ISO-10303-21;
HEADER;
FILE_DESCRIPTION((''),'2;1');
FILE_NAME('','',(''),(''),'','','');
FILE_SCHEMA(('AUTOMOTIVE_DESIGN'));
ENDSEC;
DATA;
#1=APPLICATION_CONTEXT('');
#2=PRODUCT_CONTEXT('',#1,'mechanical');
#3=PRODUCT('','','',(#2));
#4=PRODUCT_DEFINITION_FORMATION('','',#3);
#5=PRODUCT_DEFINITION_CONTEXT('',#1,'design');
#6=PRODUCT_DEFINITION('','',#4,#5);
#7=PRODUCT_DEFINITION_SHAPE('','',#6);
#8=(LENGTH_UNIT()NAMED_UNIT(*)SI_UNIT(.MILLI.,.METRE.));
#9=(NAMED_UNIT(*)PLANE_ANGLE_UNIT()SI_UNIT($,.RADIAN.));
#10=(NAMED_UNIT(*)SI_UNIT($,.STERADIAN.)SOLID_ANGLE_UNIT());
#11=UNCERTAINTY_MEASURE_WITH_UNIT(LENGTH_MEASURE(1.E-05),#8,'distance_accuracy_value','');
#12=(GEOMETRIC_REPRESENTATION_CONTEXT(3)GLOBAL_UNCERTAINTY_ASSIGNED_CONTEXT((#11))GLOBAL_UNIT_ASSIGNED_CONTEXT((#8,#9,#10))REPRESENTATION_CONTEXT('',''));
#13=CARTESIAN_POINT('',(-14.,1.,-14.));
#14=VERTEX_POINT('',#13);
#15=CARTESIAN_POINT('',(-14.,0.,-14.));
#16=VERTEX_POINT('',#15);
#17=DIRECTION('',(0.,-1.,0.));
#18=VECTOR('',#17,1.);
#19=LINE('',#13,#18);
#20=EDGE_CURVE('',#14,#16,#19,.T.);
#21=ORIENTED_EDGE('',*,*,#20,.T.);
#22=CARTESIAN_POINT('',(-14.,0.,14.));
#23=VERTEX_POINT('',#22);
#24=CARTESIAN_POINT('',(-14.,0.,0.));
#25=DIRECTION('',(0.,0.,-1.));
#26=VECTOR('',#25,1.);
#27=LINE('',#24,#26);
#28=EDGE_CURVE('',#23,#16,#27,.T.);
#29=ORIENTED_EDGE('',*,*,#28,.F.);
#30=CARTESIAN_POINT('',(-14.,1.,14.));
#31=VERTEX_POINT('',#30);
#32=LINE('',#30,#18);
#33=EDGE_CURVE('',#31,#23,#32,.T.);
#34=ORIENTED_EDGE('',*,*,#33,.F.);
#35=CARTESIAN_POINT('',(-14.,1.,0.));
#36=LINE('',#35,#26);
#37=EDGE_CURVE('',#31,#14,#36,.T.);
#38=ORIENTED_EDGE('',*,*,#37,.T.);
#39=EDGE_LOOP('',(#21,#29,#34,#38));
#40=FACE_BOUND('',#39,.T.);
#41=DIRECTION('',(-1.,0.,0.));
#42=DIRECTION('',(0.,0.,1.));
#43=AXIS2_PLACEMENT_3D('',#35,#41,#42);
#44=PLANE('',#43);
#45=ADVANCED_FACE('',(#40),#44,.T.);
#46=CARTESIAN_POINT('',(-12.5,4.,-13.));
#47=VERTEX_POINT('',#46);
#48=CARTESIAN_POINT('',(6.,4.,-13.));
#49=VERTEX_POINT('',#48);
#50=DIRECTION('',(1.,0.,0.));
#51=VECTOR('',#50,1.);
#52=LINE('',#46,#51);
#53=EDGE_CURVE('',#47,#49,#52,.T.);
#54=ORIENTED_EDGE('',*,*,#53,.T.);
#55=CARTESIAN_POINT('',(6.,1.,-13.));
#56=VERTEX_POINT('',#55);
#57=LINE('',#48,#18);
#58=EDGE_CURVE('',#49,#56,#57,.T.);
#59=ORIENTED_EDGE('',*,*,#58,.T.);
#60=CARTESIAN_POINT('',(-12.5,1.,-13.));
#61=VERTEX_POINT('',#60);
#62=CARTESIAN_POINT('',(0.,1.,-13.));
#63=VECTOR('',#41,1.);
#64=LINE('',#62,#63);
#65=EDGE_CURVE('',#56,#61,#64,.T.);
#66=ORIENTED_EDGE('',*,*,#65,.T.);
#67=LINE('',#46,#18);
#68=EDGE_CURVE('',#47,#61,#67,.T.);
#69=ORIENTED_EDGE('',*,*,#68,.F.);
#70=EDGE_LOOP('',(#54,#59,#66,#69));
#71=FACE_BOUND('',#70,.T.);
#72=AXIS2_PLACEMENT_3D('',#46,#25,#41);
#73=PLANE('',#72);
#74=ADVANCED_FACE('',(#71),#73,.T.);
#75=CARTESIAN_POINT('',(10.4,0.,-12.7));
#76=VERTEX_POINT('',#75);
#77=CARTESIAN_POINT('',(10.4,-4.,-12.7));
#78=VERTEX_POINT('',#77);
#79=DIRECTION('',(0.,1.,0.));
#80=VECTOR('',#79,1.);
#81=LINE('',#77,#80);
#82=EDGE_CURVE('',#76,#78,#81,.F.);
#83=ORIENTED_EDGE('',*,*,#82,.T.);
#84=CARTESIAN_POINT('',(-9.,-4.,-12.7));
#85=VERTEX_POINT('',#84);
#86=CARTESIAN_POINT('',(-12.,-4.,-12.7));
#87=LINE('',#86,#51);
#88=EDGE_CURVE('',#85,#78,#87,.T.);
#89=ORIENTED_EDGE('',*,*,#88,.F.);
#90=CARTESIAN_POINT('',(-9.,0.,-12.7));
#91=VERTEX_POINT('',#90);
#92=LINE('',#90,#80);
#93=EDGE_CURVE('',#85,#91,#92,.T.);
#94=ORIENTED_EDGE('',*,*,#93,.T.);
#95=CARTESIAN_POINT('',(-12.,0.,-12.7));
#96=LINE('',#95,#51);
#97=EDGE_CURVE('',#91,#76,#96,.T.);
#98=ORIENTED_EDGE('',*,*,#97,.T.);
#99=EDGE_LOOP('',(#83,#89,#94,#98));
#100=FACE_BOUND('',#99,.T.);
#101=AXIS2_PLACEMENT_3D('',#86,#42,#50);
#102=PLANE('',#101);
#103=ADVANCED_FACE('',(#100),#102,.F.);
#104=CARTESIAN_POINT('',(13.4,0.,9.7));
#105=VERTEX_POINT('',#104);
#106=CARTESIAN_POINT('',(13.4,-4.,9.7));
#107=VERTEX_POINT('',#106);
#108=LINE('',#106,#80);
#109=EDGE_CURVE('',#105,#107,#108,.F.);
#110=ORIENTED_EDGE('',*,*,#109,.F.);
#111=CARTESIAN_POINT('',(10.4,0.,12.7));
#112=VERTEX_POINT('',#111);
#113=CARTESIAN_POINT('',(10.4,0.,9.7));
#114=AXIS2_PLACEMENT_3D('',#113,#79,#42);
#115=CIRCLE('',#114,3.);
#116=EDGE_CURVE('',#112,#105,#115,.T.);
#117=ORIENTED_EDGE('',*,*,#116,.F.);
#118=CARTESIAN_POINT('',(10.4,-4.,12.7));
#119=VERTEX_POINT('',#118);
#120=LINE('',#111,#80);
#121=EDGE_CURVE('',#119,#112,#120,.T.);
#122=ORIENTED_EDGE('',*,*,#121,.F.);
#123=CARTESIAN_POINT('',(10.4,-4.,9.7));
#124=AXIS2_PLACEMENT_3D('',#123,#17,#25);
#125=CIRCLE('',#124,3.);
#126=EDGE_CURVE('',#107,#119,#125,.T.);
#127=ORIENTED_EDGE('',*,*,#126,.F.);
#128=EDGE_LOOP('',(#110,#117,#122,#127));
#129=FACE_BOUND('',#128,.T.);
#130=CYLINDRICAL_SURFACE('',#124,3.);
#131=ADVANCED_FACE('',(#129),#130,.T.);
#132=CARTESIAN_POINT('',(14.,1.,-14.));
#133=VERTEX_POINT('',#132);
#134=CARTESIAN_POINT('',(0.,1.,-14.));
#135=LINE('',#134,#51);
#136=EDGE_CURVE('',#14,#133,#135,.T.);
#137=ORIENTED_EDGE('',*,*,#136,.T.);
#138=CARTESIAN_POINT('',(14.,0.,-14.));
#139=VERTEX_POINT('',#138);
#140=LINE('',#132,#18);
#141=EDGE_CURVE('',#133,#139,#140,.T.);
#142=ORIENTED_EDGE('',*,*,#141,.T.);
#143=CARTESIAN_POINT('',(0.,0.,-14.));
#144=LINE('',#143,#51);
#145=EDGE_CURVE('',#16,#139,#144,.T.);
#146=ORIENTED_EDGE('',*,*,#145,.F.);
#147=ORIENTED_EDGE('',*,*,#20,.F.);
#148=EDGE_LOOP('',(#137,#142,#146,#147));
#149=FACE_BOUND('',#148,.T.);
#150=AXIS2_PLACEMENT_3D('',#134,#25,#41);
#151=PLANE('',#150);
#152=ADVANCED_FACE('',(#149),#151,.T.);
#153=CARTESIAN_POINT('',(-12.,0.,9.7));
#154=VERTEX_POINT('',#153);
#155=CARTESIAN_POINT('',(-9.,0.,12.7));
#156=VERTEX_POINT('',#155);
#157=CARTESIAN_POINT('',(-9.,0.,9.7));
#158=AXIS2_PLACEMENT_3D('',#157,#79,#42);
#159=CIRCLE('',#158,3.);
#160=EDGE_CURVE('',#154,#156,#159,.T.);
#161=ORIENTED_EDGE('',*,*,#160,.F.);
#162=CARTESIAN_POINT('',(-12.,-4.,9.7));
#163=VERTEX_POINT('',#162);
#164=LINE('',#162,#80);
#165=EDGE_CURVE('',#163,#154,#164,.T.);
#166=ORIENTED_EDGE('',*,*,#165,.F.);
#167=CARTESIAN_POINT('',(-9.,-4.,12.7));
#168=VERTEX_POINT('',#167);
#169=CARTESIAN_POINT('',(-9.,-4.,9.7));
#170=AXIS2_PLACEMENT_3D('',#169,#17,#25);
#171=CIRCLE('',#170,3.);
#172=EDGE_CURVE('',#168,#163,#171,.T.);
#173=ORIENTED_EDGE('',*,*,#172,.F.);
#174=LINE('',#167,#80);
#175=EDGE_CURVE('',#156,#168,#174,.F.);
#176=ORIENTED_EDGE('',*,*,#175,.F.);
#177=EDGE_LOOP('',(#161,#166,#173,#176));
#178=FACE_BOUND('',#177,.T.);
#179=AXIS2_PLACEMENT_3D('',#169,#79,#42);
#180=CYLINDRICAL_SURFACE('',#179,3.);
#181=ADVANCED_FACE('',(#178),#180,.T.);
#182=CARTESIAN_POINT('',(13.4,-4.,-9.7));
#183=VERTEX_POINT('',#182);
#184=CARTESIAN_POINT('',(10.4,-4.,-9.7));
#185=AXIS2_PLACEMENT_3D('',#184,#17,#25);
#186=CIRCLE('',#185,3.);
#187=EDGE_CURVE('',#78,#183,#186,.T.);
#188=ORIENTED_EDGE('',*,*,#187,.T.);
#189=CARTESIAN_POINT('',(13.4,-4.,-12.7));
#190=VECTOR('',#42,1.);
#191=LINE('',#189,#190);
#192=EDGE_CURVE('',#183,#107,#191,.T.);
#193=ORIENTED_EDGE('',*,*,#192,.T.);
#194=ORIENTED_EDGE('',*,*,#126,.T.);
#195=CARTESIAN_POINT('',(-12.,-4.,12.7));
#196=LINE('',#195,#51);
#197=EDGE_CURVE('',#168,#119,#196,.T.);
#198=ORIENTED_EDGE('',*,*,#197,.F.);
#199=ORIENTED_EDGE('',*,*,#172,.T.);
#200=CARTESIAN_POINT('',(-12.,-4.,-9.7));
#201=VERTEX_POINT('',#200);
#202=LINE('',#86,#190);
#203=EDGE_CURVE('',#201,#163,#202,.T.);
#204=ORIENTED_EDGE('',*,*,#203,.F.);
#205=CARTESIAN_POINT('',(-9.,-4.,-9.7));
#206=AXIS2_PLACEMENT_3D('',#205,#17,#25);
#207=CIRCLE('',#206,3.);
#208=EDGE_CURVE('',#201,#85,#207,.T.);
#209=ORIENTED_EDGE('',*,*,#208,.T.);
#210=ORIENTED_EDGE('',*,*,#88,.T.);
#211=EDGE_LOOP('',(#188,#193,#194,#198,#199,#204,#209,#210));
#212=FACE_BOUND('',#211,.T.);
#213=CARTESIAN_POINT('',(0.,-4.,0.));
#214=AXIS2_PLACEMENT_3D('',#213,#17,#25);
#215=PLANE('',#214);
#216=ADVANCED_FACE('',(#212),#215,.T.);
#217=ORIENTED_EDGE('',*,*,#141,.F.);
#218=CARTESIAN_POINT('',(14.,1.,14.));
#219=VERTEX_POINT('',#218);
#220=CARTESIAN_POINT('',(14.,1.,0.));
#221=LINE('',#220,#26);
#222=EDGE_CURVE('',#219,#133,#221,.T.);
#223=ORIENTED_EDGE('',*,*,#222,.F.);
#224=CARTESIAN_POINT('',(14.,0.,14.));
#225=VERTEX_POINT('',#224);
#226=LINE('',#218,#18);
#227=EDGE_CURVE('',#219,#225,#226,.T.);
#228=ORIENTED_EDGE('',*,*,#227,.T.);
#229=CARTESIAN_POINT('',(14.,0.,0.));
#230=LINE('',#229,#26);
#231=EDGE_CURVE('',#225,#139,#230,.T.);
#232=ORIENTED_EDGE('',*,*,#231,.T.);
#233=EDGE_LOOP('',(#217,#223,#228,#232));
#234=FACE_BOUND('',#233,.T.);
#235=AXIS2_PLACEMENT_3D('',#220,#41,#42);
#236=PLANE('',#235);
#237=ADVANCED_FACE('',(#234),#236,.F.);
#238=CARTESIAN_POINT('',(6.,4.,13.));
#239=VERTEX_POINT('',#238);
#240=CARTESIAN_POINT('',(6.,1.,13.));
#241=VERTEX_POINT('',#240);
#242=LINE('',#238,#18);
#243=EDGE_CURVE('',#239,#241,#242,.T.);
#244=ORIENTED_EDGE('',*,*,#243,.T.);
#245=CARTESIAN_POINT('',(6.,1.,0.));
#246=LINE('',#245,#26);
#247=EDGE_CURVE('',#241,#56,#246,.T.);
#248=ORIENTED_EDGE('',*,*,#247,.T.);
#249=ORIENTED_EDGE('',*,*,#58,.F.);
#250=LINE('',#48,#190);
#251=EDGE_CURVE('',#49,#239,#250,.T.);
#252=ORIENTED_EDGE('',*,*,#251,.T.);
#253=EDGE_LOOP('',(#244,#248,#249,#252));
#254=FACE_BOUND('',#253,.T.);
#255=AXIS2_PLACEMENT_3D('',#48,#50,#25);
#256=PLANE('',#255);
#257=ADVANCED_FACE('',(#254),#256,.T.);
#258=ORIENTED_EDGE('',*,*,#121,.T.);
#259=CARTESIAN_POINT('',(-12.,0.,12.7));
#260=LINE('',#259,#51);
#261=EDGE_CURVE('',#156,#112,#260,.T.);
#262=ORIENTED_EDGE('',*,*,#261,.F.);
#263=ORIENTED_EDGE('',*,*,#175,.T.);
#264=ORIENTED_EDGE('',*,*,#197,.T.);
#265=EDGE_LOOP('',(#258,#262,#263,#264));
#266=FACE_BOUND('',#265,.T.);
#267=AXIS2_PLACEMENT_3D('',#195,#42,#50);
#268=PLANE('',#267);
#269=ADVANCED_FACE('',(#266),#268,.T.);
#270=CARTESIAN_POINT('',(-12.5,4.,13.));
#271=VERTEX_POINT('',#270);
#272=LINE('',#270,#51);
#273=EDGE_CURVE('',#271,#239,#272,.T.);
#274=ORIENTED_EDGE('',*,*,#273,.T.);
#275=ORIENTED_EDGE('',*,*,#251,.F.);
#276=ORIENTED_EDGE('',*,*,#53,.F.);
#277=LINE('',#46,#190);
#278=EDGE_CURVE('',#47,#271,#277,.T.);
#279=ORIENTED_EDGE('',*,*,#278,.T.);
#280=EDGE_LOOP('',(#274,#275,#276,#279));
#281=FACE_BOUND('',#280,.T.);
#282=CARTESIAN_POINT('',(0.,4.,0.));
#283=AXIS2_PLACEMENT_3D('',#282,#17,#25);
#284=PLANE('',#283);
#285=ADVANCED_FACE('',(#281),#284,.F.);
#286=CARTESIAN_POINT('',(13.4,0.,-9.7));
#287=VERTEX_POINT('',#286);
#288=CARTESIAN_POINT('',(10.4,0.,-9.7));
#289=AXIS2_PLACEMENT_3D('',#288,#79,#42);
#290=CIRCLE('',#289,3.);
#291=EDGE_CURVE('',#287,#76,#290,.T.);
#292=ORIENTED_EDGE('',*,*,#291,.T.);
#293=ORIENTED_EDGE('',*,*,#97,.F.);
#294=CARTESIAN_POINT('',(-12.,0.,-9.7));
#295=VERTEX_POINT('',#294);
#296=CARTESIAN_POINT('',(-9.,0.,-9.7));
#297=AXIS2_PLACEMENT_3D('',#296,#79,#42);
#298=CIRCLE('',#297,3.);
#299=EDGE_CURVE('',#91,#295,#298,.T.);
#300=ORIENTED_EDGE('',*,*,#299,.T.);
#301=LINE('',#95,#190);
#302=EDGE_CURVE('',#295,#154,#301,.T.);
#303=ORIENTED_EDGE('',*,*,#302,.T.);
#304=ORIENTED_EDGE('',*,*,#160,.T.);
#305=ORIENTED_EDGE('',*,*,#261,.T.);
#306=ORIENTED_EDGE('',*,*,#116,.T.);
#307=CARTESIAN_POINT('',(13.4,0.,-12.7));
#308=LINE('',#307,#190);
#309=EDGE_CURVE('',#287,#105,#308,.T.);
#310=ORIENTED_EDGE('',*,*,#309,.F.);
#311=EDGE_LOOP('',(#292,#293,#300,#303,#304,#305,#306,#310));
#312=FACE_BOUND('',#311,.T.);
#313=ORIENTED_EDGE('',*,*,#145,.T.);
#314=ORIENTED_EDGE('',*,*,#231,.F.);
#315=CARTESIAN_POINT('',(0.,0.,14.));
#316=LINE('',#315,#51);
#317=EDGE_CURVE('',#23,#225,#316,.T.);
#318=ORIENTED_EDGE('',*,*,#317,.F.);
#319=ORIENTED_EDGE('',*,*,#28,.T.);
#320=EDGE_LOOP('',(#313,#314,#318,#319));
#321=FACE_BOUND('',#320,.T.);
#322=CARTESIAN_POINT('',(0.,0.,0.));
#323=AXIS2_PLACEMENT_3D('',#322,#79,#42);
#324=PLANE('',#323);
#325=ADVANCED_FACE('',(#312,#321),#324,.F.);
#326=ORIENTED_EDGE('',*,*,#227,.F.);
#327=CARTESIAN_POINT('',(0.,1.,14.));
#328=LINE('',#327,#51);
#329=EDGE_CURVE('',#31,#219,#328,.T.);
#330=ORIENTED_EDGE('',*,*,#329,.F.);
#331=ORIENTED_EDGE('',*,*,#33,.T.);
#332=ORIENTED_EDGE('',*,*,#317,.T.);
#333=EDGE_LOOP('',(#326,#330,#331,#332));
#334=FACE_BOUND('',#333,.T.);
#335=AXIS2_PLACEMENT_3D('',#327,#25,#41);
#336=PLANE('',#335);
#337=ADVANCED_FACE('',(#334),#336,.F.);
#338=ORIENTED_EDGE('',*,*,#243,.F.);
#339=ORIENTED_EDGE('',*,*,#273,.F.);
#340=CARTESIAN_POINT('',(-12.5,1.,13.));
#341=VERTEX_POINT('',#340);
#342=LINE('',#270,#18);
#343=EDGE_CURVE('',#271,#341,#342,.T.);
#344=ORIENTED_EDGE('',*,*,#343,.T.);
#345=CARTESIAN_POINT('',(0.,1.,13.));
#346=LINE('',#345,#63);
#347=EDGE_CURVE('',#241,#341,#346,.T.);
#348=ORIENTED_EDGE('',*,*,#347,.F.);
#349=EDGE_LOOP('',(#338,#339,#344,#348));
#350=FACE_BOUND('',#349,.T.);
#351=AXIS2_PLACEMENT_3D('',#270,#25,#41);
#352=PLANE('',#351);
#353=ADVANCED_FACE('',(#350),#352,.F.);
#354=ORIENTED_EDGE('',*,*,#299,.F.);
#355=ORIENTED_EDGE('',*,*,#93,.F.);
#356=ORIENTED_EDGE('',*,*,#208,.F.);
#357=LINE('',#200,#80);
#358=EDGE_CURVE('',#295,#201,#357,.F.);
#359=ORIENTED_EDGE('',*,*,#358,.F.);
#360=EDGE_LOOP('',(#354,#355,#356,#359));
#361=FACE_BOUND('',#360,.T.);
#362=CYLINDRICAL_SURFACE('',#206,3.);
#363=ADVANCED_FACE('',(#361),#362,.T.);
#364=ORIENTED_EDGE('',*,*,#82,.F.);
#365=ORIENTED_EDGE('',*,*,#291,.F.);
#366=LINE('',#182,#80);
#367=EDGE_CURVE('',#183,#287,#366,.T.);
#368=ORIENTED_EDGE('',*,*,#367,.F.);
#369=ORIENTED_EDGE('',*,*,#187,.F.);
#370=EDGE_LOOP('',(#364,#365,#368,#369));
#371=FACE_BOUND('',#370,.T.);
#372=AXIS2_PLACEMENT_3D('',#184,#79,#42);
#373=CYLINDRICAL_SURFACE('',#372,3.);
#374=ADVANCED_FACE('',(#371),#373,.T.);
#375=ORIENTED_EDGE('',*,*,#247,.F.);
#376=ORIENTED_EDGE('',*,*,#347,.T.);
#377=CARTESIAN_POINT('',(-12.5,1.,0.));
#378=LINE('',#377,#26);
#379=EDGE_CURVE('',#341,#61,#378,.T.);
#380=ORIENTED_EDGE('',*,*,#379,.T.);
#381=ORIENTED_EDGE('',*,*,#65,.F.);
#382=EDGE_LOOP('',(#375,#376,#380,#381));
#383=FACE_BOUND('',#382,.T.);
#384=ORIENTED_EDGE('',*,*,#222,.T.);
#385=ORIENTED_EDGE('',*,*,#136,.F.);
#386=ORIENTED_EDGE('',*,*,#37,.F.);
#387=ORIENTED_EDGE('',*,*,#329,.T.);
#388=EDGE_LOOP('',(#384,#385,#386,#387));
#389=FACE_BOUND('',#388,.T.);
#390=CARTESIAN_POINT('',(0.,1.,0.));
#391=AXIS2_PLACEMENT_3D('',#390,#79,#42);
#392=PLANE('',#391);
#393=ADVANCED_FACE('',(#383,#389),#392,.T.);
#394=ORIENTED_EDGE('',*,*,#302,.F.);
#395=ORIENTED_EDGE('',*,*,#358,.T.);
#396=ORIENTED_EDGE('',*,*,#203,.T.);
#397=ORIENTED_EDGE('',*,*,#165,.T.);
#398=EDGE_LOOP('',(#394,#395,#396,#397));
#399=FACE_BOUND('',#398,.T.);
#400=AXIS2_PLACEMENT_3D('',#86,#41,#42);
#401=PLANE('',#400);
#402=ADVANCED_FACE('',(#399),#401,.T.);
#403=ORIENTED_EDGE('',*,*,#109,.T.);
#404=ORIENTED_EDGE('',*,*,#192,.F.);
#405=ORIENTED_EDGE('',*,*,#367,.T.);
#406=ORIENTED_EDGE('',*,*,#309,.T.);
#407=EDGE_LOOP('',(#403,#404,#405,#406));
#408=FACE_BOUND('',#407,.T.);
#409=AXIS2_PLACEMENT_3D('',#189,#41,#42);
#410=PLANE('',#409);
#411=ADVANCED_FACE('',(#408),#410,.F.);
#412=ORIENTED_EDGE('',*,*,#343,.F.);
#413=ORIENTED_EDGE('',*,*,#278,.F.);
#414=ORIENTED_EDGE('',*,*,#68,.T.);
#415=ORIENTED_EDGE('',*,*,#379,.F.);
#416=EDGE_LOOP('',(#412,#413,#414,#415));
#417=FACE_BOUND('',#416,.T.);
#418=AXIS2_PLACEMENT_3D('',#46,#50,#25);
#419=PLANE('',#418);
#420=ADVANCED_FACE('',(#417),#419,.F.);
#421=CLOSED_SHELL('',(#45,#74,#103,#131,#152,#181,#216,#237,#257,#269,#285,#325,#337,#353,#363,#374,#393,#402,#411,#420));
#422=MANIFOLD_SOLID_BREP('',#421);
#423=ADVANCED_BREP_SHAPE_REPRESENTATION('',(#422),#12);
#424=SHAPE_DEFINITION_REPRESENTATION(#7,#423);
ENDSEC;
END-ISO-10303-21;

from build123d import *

# Parameters (mm, degrees)
SKETCH_1_W      = 28
SKETCH_1_H      = 28
EXTRUDE_1_DEPTH = 1
SKETCH_1_3_W    = 25.4
SKETCH_1_3_H    = 25.4
EXTRUDE_2_DEPTH = 4
SKETCH_1_4_W    = 18.5
SKETCH_1_4_H    = 26
EXTRUDE_3_DEPTH = 4
FILLET_1_R      = 3


with BuildPart() as part:
    # Эскиз1 → Бобышка-Вытянуть1 (new body)
    with BuildSketch(Plane(origin=(0, 0, 0), x_dir=(1, 0, 0), z_dir=(0, 1, 0))):
        Rectangle(SKETCH_1_W, SKETCH_1_H)
    extrude(amount=EXTRUDE_1_DEPTH)

    # Эскиз1<3> → Бобышка-Вытянуть2 (add)
    with BuildSketch(Plane(origin=(0, 0, 0), x_dir=(1, 0, 0), z_dir=(0, 1, 0))):
        with Locations((0.7, 0)):
            Rectangle(SKETCH_1_3_W, SKETCH_1_3_H)
    extrude(amount=-EXTRUDE_2_DEPTH)

    # Эскиз1<4> → Бобышка-Вытянуть3 (add)
    with BuildSketch(Plane(origin=(0, 0, 0), x_dir=(1, 0, 0), z_dir=(0, 1, 0))):
        with Locations((-3.25, 0)):
            Rectangle(SKETCH_1_4_W, SKETCH_1_4_H)
    extrude(amount=EXTRUDE_3_DEPTH)

    # Скругление1
    fillet_1_edges = [part.edges().sort_by_distance(p)[0] for p in [
        (-12, -2, 12.7),
        (13.4, -2, 12.7),
        (13.4, -2, -12.7),
        (-12, -2, -12.7),
    ]]
    fillet(fillet_1_edges, radius=FILLET_1_R)


solid = part.part
